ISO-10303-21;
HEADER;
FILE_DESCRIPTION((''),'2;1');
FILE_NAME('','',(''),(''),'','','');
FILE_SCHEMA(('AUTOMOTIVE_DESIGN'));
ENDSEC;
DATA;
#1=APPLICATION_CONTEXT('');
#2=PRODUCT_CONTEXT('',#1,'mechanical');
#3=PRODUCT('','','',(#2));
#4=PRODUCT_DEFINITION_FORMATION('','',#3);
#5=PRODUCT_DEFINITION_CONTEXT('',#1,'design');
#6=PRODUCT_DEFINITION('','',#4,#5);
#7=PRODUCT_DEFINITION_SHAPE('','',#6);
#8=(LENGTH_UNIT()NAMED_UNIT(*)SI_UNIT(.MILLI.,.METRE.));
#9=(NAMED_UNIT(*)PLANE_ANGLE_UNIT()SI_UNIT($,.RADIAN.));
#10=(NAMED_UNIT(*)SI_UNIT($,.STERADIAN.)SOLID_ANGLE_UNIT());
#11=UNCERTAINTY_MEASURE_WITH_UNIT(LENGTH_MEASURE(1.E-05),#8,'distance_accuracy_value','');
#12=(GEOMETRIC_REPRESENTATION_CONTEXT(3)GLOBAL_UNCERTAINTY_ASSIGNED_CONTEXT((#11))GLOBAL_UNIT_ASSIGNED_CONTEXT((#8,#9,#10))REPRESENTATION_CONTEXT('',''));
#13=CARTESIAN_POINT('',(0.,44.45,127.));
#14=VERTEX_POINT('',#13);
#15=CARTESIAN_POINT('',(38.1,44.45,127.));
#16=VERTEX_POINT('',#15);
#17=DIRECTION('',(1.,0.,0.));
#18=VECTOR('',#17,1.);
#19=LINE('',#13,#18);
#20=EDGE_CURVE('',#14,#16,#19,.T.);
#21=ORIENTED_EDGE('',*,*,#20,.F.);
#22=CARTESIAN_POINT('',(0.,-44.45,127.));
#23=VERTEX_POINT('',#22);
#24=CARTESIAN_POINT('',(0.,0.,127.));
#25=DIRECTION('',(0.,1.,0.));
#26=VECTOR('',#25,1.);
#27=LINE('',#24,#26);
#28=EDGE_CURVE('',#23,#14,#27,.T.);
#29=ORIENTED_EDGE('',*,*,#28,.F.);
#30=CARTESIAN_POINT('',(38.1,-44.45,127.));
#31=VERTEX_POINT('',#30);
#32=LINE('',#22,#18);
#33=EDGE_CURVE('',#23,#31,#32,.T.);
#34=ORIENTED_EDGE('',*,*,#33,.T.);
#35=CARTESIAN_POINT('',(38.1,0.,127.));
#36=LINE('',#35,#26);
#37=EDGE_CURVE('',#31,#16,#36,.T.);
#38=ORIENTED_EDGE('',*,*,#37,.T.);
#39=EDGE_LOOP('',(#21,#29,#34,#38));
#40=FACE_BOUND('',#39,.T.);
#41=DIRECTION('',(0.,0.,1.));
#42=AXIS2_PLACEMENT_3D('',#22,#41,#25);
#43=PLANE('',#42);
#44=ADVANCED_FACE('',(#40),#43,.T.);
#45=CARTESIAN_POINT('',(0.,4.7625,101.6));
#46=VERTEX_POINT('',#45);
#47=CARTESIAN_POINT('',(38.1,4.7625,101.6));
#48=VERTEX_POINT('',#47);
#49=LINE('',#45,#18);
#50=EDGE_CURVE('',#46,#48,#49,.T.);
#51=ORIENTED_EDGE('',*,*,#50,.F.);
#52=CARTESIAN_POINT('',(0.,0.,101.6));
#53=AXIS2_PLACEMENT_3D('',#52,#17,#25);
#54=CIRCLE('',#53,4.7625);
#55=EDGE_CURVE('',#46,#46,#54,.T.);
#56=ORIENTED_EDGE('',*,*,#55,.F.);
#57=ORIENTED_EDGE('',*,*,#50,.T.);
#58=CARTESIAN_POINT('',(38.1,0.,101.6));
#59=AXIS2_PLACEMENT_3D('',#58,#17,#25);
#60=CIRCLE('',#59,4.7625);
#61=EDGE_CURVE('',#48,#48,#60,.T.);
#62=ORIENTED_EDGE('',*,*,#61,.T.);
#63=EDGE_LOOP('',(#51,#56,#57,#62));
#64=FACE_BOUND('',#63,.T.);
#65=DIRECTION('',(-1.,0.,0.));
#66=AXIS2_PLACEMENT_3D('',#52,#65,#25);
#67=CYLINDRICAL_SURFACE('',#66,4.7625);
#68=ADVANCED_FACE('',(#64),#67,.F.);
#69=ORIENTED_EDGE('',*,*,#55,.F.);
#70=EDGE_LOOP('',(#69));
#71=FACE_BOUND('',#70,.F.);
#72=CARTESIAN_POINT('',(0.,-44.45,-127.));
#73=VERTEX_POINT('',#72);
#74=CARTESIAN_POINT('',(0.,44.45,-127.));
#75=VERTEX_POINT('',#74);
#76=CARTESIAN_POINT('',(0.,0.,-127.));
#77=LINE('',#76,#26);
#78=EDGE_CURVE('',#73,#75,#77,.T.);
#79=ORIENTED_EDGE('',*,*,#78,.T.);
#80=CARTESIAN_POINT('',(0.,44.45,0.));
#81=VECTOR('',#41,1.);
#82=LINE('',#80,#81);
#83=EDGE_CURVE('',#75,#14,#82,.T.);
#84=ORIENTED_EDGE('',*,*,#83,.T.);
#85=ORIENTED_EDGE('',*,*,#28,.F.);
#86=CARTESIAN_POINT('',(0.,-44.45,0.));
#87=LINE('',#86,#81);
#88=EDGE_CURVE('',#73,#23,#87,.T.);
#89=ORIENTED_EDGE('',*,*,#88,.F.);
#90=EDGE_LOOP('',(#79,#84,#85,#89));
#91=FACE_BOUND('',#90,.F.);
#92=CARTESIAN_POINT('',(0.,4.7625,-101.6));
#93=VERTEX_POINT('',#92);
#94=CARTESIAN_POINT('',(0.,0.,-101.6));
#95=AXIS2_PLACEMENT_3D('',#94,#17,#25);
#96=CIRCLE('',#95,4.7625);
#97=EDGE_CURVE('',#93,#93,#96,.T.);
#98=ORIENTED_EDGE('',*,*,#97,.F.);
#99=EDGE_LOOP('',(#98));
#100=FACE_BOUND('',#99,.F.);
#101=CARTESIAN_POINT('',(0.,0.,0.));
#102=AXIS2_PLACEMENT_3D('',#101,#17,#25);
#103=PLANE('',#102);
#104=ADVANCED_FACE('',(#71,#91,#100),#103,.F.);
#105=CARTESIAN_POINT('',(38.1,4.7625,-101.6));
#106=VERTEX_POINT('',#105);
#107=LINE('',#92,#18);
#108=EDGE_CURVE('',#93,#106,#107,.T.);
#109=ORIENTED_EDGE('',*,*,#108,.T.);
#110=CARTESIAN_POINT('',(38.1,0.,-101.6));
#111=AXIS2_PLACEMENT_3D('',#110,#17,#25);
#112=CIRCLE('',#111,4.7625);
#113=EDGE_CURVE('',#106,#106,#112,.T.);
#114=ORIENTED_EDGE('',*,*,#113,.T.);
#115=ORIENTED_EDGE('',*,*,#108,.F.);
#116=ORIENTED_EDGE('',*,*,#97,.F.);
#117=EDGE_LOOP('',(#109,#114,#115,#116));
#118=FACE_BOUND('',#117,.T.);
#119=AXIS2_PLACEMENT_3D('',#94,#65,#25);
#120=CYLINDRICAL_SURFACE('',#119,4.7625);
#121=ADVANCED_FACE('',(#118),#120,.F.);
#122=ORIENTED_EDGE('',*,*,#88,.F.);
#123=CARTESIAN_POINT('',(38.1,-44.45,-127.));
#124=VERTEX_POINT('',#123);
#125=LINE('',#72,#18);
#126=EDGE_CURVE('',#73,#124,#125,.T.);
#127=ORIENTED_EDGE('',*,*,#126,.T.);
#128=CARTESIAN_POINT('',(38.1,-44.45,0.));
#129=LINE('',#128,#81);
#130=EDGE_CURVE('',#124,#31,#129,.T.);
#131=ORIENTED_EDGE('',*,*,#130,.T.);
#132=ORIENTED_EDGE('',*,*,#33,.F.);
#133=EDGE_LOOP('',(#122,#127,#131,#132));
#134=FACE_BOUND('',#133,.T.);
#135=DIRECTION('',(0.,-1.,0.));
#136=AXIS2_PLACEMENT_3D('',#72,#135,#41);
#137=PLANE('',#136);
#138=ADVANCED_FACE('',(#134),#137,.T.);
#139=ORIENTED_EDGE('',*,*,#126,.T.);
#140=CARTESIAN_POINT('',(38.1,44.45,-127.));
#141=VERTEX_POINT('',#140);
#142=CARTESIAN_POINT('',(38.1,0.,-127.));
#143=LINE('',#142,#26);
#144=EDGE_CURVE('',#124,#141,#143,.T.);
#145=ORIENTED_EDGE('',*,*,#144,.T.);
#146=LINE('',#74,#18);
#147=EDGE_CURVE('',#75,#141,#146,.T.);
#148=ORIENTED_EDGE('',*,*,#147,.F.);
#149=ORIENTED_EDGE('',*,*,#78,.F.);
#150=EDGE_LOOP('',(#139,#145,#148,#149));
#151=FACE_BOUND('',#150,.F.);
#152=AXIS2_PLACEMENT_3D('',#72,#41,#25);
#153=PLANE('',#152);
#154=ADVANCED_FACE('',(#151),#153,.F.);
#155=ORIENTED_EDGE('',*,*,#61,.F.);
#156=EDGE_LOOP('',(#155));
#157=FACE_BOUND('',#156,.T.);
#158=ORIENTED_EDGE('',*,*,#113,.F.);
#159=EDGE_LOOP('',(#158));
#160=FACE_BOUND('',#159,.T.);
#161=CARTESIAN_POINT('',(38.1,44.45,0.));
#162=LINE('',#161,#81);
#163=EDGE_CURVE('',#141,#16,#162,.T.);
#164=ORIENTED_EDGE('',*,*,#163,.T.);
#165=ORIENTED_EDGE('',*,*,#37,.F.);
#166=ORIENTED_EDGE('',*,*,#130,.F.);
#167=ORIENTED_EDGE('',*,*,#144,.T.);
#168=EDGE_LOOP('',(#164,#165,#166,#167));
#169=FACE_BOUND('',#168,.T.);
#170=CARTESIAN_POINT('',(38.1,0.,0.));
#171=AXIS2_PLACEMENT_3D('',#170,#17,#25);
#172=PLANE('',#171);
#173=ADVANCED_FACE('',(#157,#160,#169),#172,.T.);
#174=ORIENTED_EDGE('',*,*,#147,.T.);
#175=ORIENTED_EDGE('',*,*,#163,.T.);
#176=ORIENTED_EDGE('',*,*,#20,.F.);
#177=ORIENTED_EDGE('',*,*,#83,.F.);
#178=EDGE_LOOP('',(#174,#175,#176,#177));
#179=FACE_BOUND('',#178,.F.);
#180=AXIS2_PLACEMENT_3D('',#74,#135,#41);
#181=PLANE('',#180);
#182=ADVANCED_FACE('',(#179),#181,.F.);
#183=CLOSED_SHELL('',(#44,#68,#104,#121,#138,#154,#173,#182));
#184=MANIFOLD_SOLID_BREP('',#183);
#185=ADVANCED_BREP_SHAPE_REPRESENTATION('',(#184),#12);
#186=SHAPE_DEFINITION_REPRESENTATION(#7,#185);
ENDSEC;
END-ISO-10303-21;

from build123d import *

# Parameters (mm, degrees)
F0_W     = 88.9
F0_H     = 254
F0_R     = 4.7625
F1_DEPTH = 38.1


with BuildPart() as f1:
    # F0 (on Right) → F1 (new body)
    with BuildSketch(Plane.YZ):
        Rectangle(F0_W, F0_H)
        with Locations((0, -101.6)):
            Circle(F0_R, mode=Mode.SUBTRACT)
        with Locations((0, 101.6)):
            Circle(F0_R, mode=Mode.SUBTRACT)
    extrude(amount=F1_DEPTH)


solid = f1.part
